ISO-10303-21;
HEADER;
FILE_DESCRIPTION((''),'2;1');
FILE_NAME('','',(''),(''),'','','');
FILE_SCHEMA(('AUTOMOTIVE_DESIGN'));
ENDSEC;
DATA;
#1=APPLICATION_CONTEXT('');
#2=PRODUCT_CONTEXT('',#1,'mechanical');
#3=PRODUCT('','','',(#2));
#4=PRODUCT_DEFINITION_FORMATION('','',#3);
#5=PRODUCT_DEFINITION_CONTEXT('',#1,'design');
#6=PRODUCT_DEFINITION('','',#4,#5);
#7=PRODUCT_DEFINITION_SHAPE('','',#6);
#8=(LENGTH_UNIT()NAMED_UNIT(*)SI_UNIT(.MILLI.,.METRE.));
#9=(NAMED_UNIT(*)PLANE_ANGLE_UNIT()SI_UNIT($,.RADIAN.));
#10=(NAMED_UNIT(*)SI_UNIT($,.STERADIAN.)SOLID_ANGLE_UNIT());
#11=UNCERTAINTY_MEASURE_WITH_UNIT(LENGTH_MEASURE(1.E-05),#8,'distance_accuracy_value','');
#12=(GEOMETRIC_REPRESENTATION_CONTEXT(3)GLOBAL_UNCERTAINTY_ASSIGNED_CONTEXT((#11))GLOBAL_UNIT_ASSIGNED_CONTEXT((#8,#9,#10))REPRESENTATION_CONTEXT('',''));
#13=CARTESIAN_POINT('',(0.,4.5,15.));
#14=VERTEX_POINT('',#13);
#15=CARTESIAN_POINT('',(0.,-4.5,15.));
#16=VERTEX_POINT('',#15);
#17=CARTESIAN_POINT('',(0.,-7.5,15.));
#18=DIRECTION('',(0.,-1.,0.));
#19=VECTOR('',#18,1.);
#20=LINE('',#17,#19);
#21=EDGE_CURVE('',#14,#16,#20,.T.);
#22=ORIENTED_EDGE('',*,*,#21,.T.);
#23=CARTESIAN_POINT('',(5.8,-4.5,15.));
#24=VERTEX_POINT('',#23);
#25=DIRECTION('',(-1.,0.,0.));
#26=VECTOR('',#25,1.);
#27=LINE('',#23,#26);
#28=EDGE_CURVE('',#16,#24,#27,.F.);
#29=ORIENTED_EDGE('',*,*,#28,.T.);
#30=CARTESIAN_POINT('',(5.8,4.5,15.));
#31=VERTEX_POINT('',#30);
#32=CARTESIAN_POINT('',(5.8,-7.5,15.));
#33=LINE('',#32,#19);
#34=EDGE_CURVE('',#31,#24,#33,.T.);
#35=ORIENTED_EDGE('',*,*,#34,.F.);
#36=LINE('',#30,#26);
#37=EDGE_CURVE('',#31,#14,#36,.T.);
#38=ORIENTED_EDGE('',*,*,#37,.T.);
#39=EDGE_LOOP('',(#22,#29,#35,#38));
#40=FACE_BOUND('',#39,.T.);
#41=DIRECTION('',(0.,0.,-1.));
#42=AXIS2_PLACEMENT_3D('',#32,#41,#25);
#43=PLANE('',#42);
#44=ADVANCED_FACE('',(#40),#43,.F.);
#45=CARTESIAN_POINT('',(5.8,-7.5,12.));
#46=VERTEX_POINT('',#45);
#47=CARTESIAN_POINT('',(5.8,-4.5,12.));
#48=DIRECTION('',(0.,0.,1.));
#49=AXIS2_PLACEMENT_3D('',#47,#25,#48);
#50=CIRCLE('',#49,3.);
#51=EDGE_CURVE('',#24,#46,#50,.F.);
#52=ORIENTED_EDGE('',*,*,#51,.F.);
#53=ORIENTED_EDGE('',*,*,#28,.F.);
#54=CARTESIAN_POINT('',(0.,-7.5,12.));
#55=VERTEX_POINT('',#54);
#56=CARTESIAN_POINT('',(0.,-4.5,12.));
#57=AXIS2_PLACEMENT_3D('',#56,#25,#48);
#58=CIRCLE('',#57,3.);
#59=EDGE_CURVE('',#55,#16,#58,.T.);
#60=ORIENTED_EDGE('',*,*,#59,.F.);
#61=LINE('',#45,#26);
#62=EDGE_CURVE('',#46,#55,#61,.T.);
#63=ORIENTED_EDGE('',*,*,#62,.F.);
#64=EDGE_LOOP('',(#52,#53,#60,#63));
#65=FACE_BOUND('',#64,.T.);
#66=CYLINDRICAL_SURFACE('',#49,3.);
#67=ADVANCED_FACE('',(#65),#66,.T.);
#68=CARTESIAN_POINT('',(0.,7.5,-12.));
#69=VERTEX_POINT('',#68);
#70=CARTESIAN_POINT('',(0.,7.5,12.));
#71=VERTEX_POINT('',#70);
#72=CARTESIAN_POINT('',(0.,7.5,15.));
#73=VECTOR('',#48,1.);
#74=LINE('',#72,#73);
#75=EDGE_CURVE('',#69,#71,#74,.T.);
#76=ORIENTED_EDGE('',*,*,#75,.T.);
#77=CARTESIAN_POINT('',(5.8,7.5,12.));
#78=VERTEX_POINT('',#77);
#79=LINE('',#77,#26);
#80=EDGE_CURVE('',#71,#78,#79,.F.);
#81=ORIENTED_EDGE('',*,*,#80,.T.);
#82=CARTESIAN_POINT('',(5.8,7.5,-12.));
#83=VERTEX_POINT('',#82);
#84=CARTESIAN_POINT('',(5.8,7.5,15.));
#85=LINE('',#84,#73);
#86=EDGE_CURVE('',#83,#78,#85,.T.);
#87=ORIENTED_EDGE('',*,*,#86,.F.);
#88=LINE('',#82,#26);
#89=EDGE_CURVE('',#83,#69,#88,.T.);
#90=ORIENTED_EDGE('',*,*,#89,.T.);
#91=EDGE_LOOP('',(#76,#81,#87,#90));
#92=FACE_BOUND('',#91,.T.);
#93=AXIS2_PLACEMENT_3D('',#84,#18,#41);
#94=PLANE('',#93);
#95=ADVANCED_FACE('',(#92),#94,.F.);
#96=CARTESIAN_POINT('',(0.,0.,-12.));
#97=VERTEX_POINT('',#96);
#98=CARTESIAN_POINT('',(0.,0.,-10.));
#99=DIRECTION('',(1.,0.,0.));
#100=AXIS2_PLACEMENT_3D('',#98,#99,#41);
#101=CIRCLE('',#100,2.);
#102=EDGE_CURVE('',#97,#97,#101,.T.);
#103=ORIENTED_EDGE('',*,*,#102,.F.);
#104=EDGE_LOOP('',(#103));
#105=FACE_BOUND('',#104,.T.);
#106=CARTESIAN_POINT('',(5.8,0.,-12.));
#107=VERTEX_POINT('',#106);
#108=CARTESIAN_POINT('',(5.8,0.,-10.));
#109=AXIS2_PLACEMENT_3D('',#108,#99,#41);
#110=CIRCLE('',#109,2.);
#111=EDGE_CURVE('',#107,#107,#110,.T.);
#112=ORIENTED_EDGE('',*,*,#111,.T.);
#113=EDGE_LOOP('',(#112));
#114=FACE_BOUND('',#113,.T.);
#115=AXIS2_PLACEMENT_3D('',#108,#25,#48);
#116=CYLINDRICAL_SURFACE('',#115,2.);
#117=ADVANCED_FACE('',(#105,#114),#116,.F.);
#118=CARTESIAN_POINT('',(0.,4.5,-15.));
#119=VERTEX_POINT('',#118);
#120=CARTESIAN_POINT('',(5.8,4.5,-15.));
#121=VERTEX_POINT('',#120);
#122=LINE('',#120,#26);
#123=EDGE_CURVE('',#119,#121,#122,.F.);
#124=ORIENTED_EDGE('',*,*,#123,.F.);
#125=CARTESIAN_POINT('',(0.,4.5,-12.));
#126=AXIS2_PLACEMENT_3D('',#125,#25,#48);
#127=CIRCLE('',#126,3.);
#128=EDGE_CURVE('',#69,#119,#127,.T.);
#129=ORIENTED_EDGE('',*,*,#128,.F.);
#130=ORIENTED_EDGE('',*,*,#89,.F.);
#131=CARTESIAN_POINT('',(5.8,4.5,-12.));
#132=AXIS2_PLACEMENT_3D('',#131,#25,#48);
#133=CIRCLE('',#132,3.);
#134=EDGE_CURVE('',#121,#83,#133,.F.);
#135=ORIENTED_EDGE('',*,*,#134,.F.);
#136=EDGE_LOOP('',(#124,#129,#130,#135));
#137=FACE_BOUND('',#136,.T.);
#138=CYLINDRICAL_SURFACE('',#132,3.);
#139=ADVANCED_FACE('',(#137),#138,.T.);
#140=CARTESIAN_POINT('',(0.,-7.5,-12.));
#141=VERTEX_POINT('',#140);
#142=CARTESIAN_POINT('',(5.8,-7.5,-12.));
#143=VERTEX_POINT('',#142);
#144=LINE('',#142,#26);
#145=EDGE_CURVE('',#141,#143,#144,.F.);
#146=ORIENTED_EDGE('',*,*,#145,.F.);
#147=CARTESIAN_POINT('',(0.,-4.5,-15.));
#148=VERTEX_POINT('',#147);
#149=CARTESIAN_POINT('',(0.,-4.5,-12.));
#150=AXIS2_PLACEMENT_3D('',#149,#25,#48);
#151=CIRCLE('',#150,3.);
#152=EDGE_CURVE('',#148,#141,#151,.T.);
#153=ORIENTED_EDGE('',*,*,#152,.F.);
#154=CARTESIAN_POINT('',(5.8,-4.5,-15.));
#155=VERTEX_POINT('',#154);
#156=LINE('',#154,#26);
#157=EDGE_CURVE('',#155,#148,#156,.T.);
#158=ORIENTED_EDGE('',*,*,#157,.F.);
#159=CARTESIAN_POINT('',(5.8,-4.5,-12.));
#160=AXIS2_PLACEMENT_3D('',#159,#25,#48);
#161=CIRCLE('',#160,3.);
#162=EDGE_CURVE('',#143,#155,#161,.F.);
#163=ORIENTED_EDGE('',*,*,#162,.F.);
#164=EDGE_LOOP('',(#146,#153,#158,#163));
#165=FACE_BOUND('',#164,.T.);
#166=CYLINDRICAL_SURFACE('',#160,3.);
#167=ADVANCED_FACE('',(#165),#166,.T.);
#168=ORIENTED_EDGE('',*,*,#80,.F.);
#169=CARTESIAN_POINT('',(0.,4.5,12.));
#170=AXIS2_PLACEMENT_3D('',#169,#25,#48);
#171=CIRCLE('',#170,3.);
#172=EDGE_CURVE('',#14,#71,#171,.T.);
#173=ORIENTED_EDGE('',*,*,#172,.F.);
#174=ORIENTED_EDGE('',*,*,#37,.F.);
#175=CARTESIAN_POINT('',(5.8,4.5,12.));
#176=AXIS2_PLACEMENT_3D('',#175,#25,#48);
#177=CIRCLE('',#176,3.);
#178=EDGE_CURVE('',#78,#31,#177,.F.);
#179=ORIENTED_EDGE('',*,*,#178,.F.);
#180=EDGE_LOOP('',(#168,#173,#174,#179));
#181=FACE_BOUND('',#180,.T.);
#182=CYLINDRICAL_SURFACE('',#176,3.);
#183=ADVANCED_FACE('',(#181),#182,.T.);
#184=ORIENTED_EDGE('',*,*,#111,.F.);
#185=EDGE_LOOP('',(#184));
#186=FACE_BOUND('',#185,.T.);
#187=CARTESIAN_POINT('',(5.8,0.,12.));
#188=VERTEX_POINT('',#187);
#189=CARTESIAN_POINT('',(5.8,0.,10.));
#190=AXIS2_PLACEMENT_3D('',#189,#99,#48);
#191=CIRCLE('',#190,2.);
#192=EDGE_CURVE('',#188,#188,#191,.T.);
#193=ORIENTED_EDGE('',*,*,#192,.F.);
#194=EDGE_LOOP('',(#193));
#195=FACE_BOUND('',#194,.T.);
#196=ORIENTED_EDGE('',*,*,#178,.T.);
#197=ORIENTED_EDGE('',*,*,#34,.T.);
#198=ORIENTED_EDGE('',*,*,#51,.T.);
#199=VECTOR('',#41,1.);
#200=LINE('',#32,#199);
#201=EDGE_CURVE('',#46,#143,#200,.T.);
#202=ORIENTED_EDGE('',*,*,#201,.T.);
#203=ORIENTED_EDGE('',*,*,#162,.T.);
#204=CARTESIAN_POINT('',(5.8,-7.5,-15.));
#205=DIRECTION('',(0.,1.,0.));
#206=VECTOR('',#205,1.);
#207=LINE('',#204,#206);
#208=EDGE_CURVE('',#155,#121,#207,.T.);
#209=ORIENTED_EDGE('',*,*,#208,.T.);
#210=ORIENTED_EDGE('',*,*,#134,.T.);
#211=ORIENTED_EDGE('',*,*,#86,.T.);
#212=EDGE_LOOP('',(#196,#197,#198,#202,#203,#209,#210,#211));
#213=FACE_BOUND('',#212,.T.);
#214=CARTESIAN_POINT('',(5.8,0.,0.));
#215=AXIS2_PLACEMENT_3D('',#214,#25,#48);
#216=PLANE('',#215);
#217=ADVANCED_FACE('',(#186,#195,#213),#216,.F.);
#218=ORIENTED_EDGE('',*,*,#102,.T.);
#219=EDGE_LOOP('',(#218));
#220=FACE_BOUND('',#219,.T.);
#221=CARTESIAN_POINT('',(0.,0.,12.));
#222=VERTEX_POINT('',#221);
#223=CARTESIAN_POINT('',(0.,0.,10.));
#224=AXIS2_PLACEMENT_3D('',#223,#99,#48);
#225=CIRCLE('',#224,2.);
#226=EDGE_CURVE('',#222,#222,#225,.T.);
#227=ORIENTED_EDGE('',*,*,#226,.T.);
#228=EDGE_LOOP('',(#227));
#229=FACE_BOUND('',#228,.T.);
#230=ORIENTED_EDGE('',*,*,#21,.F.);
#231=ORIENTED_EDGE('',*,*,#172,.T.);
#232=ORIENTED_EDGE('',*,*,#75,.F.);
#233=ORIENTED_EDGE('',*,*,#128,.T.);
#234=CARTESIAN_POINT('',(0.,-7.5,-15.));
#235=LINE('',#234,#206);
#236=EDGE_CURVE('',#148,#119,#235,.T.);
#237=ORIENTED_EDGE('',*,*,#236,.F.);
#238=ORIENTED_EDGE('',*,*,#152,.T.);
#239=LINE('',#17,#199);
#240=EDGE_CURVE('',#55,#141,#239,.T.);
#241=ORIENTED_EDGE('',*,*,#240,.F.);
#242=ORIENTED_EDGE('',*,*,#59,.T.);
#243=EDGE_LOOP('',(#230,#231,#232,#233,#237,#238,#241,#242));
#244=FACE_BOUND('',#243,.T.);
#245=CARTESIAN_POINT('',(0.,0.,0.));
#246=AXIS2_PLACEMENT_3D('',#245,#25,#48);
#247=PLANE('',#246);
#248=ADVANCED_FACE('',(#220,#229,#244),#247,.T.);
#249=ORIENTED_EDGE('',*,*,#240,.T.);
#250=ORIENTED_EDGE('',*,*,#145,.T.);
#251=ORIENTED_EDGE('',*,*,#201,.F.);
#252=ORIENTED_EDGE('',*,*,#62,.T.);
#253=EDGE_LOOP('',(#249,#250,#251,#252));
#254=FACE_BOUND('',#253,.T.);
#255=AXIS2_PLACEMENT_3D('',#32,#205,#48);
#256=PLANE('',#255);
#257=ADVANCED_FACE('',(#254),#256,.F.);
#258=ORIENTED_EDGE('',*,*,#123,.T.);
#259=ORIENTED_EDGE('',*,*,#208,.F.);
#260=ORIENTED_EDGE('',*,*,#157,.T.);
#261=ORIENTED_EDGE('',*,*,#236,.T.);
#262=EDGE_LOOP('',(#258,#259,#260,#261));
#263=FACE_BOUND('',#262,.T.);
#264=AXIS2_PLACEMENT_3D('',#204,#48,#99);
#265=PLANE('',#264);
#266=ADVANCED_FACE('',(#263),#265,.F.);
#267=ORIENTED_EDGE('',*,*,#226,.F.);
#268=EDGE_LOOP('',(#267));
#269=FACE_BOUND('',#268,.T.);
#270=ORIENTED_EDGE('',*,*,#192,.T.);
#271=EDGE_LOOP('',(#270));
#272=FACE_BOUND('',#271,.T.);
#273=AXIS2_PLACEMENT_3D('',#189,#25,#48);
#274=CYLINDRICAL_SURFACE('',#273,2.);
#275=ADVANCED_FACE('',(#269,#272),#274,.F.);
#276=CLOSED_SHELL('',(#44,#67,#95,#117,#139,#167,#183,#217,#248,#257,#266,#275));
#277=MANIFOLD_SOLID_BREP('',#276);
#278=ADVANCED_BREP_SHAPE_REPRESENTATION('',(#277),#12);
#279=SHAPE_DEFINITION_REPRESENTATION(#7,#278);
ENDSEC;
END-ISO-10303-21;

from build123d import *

# Parameters (mm, degrees)
SKETCH_1_W      = 30
SKETCH_1_H      = 15
SKETCH_1_R      = 2
EXTRUDE_1_DEPTH = 5.8
FILLET_1_R      = 3


with BuildPart() as part:
    # ｽｹｯﾁ1 → ﾎﾞｽ - 押し出し1 (new body)
    with BuildSketch(Plane(origin=(0, 0, 0), x_dir=(0, 0, -1), z_dir=(1, 0, 0))):
        Rectangle(SKETCH_1_W, SKETCH_1_H)
        with Locations((10, 0)):
            Circle(SKETCH_1_R, mode=Mode.SUBTRACT)
        with Locations(Location((-10, 0, 0), (0, 0, 180))):
            Circle(SKETCH_1_R, mode=Mode.SUBTRACT)
    extrude(amount=EXTRUDE_1_DEPTH)

    # ﾌｨﾚｯﾄ1
    fillet_1_edges = [part.edges().sort_by_distance(p)[0] for p in [
        (2.9, -7.5, -15),
        (2.9, -7.5, 15),
        (2.9, 7.5, 15),
        (2.9, 7.5, -15),
    ]]
    fillet(fillet_1_edges, radius=FILLET_1_R)


solid = part.part
